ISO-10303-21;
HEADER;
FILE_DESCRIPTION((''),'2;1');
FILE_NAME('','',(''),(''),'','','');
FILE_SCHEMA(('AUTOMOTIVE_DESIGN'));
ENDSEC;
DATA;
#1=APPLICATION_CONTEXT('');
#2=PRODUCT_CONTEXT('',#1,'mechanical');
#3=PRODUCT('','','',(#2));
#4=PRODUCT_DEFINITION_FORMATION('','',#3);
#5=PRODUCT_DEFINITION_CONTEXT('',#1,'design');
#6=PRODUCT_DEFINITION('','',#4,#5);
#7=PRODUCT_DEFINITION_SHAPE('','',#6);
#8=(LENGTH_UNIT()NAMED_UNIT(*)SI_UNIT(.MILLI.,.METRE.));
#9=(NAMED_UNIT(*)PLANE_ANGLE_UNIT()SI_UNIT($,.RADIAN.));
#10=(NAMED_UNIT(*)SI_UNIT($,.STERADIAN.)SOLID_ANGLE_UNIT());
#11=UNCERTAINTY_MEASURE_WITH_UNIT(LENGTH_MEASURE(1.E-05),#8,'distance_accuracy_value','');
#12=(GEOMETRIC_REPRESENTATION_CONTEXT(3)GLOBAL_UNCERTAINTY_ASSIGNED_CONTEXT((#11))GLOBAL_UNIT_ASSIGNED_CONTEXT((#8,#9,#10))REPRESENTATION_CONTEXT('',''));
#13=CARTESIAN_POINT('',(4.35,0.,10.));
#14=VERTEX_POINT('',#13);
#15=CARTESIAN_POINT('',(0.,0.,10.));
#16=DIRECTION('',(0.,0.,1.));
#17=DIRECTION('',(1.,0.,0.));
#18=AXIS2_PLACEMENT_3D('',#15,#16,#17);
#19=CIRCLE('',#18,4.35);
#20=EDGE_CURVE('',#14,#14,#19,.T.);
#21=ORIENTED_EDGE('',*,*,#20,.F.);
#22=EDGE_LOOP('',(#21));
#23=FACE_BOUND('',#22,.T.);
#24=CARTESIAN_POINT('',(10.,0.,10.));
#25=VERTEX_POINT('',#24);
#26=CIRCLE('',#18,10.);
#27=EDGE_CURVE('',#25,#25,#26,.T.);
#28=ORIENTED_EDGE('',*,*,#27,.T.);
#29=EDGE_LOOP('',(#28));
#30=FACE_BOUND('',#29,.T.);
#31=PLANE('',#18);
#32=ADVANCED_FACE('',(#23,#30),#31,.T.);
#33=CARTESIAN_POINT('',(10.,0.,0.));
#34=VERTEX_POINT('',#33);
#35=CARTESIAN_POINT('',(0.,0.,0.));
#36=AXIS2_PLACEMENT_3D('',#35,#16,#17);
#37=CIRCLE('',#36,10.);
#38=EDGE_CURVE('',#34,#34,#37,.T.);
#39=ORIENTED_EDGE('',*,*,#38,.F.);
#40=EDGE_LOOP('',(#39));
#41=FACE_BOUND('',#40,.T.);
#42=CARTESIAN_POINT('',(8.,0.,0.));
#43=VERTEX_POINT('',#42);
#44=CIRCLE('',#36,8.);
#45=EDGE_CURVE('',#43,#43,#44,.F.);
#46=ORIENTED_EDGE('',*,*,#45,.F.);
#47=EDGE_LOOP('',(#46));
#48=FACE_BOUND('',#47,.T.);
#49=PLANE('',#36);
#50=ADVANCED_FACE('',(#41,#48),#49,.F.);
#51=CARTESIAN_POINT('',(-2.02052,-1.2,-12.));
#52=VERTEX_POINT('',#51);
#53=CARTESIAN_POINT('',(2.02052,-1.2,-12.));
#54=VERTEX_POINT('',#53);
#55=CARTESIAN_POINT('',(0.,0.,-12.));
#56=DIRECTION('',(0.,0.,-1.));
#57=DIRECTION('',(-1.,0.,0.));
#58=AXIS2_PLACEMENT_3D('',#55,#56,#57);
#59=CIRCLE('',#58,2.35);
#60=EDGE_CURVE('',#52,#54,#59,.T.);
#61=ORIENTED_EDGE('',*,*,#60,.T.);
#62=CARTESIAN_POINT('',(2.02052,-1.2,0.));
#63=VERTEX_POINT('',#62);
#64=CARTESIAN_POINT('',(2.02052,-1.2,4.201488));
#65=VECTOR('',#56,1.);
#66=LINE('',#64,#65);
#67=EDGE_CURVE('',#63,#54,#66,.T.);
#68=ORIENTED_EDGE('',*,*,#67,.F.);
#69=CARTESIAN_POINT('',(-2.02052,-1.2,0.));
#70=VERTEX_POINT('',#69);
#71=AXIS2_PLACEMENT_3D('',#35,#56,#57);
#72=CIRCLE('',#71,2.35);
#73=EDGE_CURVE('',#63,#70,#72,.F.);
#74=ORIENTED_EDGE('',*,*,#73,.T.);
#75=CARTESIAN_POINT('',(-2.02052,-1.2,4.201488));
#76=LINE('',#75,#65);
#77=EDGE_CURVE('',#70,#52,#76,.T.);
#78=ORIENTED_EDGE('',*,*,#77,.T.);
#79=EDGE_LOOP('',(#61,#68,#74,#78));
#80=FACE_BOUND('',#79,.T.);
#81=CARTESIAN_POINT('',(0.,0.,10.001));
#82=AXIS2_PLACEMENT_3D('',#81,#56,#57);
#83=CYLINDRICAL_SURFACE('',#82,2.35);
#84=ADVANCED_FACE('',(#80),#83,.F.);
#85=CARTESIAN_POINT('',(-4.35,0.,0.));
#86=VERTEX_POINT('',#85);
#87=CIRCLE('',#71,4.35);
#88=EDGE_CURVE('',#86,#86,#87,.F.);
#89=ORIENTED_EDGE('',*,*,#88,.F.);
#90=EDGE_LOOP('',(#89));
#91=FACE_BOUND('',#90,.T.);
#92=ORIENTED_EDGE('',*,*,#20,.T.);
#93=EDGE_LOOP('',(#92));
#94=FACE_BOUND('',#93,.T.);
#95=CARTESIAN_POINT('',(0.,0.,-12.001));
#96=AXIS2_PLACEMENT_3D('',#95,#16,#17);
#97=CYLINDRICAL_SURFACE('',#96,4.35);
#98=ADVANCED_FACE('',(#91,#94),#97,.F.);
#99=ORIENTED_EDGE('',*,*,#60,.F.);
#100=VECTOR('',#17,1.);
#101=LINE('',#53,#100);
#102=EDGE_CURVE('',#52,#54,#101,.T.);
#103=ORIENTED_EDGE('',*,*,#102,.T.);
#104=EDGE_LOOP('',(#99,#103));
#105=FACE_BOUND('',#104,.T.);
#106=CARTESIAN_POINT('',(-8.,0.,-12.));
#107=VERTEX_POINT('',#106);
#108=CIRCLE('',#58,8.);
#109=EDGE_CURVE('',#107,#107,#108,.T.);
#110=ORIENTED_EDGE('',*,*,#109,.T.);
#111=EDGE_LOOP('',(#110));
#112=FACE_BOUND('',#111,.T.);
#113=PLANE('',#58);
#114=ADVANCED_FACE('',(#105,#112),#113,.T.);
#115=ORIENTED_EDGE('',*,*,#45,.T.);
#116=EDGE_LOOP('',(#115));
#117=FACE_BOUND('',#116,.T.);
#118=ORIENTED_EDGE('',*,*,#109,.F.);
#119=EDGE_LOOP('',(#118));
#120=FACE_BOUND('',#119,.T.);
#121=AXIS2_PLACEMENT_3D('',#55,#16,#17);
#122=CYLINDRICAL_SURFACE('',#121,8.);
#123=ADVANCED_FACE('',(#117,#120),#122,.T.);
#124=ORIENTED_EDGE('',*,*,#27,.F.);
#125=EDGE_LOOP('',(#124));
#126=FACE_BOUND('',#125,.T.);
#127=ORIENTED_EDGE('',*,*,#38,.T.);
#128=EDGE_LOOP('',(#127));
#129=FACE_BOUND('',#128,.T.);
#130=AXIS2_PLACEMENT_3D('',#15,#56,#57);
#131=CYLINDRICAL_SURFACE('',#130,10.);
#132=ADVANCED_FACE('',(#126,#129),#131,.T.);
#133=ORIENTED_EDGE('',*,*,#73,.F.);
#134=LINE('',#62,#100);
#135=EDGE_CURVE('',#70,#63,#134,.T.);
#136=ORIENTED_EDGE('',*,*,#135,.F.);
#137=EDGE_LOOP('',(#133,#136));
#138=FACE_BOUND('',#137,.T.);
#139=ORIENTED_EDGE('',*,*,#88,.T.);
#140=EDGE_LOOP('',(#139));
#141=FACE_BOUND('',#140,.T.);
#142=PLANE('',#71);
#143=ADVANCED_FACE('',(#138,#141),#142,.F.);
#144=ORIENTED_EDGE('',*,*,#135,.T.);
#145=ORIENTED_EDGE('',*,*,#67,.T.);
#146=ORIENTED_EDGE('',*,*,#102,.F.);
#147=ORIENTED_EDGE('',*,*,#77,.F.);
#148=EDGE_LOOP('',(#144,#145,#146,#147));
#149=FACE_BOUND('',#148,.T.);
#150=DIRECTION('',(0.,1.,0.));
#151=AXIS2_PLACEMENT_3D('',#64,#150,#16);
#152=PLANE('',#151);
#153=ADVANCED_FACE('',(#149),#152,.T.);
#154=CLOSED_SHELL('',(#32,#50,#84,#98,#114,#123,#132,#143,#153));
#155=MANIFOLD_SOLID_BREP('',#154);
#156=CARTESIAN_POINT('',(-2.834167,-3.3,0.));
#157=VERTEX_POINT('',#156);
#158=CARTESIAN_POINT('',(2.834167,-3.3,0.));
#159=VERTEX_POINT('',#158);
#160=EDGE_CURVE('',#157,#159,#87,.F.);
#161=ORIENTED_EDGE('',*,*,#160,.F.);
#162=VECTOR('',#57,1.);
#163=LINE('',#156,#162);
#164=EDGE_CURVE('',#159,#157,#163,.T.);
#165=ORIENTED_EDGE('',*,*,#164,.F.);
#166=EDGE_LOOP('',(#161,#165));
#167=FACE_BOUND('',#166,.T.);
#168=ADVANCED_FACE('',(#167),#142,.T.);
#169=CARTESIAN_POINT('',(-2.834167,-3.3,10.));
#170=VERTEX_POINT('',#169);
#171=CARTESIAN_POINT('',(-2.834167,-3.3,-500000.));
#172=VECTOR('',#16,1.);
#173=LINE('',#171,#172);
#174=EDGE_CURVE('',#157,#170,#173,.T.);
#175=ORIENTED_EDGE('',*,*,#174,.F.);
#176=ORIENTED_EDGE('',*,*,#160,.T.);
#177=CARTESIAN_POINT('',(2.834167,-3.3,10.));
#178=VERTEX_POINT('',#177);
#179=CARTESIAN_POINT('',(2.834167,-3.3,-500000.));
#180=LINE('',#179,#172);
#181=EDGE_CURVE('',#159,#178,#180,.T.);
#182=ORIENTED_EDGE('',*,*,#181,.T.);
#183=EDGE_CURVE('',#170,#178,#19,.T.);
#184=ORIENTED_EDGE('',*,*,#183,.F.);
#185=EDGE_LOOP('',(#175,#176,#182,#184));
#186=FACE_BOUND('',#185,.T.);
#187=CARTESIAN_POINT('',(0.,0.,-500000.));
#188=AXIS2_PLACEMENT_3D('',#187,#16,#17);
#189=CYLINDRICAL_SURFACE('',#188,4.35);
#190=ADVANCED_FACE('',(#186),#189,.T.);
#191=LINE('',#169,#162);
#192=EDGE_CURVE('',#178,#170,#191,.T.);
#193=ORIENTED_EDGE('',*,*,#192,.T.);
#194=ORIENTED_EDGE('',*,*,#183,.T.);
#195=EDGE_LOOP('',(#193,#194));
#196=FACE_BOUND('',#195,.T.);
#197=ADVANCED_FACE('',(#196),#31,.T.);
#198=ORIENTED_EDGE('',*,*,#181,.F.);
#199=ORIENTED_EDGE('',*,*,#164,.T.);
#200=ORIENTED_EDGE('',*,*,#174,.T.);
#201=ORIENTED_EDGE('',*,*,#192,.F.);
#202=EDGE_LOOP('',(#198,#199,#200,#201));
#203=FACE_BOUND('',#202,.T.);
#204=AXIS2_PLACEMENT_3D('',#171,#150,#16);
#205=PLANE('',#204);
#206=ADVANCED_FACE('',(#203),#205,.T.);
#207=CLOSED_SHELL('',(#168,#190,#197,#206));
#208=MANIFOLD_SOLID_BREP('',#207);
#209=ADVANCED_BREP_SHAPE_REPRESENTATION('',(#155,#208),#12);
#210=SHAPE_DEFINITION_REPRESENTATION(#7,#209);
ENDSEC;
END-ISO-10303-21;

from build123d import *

# Parameters (mm, degrees)
ESQUISSE1_R             = 10
BOSS_EXTRU_1_DEPTH      = 10
ESQUISSE2_R             = 8
BOSS_EXTRU_2_DEPTH      = 12
ESQUISSE3_R             = 4.35
ENL_V_MAT_EXTRU_1_DEPTH = 10
ESQUISSE4_R             = 2.35
ENL_V_MAT_EXTRU_2_DEPTH = 12
BOSS_EXTRU_3_REACH      = 28.153
BOSS_EXTRU_4_DEPTH      = 12


with BuildPart() as part:
    # Esquisse1 → Boss.-Extru.1 (new body)
    with BuildSketch(Plane.XY):
        Circle(ESQUISSE1_R)
    extrude(amount=BOSS_EXTRU_1_DEPTH)

    # Esquisse3 → Enlèv. mat.-Extru.1 (cut)
    with BuildSketch(Plane.XY.offset(10)):
        Circle(ESQUISSE3_R)
    extrude(amount=-ENL_V_MAT_EXTRU_1_DEPTH, mode=Mode.SUBTRACT)



with BuildPart() as body_2:
    # Esquisse2 → Boss.-Extru.2 (new body)
    with BuildSketch(Plane(origin=(0, 0, 0), x_dir=(-1, 0, 0), z_dir=(0, 0, -1))):
        Circle(ESQUISSE2_R)
    extrude(amount=BOSS_EXTRU_2_DEPTH)

    # Esquisse4 → Enlèv. mat.-Extru.2 (cut)
    with BuildSketch(Plane(origin=(0, 0, -12), x_dir=(-1, 0, 0), z_dir=(0, 0, -1))):
        Circle(ESQUISSE4_R)
    extrude(amount=-ENL_V_MAT_EXTRU_2_DEPTH, mode=Mode.SUBTRACT)


with BuildPart() as body_3:

    # Esquisse5 → Boss.-Extru.3 (new, up to next)
    with BuildSketch(Plane.XY.offset(10), mode=Mode.PRIVATE) as boss_extru_3_sk1:
        with BuildLine():
            Line((-2.834166544, -3.3), (2.834166544, -3.3))
            ThreePointArc((2.834166544, -3.3), (0, -4.35), (-2.834166544, -3.3))
        make_face()
    boss_extru_3_tool1 = extrude(boss_extru_3_sk1.sketch, amount=-BOSS_EXTRU_3_REACH, mode=Mode.PRIVATE) - body_2.part
    add(boss_extru_3_tool1.solids().sort_by_distance((0, -3.724673, 10))[0])


with BuildPart() as part_1:
    add(part.part)

    add(body_2.part)  # Boss.-Extru.4 merges body 2
    # Esquisse6 → Boss.-Extru.4 (add)
    with BuildSketch(Plane(origin=(0, 0, -12), x_dir=(-1, 0, 0), z_dir=(0, 0, -1))):
        with BuildLine():
            Line((-2.020519735, -1.2), (2.020519735, -1.2))
            ThreePointArc((2.020519735, -1.2), (0, -2.35), (-2.020519735, -1.2))
        make_face()
    extrude(amount=-BOSS_EXTRU_4_DEPTH)


solid = Compound([body_3.part, part_1.part])
